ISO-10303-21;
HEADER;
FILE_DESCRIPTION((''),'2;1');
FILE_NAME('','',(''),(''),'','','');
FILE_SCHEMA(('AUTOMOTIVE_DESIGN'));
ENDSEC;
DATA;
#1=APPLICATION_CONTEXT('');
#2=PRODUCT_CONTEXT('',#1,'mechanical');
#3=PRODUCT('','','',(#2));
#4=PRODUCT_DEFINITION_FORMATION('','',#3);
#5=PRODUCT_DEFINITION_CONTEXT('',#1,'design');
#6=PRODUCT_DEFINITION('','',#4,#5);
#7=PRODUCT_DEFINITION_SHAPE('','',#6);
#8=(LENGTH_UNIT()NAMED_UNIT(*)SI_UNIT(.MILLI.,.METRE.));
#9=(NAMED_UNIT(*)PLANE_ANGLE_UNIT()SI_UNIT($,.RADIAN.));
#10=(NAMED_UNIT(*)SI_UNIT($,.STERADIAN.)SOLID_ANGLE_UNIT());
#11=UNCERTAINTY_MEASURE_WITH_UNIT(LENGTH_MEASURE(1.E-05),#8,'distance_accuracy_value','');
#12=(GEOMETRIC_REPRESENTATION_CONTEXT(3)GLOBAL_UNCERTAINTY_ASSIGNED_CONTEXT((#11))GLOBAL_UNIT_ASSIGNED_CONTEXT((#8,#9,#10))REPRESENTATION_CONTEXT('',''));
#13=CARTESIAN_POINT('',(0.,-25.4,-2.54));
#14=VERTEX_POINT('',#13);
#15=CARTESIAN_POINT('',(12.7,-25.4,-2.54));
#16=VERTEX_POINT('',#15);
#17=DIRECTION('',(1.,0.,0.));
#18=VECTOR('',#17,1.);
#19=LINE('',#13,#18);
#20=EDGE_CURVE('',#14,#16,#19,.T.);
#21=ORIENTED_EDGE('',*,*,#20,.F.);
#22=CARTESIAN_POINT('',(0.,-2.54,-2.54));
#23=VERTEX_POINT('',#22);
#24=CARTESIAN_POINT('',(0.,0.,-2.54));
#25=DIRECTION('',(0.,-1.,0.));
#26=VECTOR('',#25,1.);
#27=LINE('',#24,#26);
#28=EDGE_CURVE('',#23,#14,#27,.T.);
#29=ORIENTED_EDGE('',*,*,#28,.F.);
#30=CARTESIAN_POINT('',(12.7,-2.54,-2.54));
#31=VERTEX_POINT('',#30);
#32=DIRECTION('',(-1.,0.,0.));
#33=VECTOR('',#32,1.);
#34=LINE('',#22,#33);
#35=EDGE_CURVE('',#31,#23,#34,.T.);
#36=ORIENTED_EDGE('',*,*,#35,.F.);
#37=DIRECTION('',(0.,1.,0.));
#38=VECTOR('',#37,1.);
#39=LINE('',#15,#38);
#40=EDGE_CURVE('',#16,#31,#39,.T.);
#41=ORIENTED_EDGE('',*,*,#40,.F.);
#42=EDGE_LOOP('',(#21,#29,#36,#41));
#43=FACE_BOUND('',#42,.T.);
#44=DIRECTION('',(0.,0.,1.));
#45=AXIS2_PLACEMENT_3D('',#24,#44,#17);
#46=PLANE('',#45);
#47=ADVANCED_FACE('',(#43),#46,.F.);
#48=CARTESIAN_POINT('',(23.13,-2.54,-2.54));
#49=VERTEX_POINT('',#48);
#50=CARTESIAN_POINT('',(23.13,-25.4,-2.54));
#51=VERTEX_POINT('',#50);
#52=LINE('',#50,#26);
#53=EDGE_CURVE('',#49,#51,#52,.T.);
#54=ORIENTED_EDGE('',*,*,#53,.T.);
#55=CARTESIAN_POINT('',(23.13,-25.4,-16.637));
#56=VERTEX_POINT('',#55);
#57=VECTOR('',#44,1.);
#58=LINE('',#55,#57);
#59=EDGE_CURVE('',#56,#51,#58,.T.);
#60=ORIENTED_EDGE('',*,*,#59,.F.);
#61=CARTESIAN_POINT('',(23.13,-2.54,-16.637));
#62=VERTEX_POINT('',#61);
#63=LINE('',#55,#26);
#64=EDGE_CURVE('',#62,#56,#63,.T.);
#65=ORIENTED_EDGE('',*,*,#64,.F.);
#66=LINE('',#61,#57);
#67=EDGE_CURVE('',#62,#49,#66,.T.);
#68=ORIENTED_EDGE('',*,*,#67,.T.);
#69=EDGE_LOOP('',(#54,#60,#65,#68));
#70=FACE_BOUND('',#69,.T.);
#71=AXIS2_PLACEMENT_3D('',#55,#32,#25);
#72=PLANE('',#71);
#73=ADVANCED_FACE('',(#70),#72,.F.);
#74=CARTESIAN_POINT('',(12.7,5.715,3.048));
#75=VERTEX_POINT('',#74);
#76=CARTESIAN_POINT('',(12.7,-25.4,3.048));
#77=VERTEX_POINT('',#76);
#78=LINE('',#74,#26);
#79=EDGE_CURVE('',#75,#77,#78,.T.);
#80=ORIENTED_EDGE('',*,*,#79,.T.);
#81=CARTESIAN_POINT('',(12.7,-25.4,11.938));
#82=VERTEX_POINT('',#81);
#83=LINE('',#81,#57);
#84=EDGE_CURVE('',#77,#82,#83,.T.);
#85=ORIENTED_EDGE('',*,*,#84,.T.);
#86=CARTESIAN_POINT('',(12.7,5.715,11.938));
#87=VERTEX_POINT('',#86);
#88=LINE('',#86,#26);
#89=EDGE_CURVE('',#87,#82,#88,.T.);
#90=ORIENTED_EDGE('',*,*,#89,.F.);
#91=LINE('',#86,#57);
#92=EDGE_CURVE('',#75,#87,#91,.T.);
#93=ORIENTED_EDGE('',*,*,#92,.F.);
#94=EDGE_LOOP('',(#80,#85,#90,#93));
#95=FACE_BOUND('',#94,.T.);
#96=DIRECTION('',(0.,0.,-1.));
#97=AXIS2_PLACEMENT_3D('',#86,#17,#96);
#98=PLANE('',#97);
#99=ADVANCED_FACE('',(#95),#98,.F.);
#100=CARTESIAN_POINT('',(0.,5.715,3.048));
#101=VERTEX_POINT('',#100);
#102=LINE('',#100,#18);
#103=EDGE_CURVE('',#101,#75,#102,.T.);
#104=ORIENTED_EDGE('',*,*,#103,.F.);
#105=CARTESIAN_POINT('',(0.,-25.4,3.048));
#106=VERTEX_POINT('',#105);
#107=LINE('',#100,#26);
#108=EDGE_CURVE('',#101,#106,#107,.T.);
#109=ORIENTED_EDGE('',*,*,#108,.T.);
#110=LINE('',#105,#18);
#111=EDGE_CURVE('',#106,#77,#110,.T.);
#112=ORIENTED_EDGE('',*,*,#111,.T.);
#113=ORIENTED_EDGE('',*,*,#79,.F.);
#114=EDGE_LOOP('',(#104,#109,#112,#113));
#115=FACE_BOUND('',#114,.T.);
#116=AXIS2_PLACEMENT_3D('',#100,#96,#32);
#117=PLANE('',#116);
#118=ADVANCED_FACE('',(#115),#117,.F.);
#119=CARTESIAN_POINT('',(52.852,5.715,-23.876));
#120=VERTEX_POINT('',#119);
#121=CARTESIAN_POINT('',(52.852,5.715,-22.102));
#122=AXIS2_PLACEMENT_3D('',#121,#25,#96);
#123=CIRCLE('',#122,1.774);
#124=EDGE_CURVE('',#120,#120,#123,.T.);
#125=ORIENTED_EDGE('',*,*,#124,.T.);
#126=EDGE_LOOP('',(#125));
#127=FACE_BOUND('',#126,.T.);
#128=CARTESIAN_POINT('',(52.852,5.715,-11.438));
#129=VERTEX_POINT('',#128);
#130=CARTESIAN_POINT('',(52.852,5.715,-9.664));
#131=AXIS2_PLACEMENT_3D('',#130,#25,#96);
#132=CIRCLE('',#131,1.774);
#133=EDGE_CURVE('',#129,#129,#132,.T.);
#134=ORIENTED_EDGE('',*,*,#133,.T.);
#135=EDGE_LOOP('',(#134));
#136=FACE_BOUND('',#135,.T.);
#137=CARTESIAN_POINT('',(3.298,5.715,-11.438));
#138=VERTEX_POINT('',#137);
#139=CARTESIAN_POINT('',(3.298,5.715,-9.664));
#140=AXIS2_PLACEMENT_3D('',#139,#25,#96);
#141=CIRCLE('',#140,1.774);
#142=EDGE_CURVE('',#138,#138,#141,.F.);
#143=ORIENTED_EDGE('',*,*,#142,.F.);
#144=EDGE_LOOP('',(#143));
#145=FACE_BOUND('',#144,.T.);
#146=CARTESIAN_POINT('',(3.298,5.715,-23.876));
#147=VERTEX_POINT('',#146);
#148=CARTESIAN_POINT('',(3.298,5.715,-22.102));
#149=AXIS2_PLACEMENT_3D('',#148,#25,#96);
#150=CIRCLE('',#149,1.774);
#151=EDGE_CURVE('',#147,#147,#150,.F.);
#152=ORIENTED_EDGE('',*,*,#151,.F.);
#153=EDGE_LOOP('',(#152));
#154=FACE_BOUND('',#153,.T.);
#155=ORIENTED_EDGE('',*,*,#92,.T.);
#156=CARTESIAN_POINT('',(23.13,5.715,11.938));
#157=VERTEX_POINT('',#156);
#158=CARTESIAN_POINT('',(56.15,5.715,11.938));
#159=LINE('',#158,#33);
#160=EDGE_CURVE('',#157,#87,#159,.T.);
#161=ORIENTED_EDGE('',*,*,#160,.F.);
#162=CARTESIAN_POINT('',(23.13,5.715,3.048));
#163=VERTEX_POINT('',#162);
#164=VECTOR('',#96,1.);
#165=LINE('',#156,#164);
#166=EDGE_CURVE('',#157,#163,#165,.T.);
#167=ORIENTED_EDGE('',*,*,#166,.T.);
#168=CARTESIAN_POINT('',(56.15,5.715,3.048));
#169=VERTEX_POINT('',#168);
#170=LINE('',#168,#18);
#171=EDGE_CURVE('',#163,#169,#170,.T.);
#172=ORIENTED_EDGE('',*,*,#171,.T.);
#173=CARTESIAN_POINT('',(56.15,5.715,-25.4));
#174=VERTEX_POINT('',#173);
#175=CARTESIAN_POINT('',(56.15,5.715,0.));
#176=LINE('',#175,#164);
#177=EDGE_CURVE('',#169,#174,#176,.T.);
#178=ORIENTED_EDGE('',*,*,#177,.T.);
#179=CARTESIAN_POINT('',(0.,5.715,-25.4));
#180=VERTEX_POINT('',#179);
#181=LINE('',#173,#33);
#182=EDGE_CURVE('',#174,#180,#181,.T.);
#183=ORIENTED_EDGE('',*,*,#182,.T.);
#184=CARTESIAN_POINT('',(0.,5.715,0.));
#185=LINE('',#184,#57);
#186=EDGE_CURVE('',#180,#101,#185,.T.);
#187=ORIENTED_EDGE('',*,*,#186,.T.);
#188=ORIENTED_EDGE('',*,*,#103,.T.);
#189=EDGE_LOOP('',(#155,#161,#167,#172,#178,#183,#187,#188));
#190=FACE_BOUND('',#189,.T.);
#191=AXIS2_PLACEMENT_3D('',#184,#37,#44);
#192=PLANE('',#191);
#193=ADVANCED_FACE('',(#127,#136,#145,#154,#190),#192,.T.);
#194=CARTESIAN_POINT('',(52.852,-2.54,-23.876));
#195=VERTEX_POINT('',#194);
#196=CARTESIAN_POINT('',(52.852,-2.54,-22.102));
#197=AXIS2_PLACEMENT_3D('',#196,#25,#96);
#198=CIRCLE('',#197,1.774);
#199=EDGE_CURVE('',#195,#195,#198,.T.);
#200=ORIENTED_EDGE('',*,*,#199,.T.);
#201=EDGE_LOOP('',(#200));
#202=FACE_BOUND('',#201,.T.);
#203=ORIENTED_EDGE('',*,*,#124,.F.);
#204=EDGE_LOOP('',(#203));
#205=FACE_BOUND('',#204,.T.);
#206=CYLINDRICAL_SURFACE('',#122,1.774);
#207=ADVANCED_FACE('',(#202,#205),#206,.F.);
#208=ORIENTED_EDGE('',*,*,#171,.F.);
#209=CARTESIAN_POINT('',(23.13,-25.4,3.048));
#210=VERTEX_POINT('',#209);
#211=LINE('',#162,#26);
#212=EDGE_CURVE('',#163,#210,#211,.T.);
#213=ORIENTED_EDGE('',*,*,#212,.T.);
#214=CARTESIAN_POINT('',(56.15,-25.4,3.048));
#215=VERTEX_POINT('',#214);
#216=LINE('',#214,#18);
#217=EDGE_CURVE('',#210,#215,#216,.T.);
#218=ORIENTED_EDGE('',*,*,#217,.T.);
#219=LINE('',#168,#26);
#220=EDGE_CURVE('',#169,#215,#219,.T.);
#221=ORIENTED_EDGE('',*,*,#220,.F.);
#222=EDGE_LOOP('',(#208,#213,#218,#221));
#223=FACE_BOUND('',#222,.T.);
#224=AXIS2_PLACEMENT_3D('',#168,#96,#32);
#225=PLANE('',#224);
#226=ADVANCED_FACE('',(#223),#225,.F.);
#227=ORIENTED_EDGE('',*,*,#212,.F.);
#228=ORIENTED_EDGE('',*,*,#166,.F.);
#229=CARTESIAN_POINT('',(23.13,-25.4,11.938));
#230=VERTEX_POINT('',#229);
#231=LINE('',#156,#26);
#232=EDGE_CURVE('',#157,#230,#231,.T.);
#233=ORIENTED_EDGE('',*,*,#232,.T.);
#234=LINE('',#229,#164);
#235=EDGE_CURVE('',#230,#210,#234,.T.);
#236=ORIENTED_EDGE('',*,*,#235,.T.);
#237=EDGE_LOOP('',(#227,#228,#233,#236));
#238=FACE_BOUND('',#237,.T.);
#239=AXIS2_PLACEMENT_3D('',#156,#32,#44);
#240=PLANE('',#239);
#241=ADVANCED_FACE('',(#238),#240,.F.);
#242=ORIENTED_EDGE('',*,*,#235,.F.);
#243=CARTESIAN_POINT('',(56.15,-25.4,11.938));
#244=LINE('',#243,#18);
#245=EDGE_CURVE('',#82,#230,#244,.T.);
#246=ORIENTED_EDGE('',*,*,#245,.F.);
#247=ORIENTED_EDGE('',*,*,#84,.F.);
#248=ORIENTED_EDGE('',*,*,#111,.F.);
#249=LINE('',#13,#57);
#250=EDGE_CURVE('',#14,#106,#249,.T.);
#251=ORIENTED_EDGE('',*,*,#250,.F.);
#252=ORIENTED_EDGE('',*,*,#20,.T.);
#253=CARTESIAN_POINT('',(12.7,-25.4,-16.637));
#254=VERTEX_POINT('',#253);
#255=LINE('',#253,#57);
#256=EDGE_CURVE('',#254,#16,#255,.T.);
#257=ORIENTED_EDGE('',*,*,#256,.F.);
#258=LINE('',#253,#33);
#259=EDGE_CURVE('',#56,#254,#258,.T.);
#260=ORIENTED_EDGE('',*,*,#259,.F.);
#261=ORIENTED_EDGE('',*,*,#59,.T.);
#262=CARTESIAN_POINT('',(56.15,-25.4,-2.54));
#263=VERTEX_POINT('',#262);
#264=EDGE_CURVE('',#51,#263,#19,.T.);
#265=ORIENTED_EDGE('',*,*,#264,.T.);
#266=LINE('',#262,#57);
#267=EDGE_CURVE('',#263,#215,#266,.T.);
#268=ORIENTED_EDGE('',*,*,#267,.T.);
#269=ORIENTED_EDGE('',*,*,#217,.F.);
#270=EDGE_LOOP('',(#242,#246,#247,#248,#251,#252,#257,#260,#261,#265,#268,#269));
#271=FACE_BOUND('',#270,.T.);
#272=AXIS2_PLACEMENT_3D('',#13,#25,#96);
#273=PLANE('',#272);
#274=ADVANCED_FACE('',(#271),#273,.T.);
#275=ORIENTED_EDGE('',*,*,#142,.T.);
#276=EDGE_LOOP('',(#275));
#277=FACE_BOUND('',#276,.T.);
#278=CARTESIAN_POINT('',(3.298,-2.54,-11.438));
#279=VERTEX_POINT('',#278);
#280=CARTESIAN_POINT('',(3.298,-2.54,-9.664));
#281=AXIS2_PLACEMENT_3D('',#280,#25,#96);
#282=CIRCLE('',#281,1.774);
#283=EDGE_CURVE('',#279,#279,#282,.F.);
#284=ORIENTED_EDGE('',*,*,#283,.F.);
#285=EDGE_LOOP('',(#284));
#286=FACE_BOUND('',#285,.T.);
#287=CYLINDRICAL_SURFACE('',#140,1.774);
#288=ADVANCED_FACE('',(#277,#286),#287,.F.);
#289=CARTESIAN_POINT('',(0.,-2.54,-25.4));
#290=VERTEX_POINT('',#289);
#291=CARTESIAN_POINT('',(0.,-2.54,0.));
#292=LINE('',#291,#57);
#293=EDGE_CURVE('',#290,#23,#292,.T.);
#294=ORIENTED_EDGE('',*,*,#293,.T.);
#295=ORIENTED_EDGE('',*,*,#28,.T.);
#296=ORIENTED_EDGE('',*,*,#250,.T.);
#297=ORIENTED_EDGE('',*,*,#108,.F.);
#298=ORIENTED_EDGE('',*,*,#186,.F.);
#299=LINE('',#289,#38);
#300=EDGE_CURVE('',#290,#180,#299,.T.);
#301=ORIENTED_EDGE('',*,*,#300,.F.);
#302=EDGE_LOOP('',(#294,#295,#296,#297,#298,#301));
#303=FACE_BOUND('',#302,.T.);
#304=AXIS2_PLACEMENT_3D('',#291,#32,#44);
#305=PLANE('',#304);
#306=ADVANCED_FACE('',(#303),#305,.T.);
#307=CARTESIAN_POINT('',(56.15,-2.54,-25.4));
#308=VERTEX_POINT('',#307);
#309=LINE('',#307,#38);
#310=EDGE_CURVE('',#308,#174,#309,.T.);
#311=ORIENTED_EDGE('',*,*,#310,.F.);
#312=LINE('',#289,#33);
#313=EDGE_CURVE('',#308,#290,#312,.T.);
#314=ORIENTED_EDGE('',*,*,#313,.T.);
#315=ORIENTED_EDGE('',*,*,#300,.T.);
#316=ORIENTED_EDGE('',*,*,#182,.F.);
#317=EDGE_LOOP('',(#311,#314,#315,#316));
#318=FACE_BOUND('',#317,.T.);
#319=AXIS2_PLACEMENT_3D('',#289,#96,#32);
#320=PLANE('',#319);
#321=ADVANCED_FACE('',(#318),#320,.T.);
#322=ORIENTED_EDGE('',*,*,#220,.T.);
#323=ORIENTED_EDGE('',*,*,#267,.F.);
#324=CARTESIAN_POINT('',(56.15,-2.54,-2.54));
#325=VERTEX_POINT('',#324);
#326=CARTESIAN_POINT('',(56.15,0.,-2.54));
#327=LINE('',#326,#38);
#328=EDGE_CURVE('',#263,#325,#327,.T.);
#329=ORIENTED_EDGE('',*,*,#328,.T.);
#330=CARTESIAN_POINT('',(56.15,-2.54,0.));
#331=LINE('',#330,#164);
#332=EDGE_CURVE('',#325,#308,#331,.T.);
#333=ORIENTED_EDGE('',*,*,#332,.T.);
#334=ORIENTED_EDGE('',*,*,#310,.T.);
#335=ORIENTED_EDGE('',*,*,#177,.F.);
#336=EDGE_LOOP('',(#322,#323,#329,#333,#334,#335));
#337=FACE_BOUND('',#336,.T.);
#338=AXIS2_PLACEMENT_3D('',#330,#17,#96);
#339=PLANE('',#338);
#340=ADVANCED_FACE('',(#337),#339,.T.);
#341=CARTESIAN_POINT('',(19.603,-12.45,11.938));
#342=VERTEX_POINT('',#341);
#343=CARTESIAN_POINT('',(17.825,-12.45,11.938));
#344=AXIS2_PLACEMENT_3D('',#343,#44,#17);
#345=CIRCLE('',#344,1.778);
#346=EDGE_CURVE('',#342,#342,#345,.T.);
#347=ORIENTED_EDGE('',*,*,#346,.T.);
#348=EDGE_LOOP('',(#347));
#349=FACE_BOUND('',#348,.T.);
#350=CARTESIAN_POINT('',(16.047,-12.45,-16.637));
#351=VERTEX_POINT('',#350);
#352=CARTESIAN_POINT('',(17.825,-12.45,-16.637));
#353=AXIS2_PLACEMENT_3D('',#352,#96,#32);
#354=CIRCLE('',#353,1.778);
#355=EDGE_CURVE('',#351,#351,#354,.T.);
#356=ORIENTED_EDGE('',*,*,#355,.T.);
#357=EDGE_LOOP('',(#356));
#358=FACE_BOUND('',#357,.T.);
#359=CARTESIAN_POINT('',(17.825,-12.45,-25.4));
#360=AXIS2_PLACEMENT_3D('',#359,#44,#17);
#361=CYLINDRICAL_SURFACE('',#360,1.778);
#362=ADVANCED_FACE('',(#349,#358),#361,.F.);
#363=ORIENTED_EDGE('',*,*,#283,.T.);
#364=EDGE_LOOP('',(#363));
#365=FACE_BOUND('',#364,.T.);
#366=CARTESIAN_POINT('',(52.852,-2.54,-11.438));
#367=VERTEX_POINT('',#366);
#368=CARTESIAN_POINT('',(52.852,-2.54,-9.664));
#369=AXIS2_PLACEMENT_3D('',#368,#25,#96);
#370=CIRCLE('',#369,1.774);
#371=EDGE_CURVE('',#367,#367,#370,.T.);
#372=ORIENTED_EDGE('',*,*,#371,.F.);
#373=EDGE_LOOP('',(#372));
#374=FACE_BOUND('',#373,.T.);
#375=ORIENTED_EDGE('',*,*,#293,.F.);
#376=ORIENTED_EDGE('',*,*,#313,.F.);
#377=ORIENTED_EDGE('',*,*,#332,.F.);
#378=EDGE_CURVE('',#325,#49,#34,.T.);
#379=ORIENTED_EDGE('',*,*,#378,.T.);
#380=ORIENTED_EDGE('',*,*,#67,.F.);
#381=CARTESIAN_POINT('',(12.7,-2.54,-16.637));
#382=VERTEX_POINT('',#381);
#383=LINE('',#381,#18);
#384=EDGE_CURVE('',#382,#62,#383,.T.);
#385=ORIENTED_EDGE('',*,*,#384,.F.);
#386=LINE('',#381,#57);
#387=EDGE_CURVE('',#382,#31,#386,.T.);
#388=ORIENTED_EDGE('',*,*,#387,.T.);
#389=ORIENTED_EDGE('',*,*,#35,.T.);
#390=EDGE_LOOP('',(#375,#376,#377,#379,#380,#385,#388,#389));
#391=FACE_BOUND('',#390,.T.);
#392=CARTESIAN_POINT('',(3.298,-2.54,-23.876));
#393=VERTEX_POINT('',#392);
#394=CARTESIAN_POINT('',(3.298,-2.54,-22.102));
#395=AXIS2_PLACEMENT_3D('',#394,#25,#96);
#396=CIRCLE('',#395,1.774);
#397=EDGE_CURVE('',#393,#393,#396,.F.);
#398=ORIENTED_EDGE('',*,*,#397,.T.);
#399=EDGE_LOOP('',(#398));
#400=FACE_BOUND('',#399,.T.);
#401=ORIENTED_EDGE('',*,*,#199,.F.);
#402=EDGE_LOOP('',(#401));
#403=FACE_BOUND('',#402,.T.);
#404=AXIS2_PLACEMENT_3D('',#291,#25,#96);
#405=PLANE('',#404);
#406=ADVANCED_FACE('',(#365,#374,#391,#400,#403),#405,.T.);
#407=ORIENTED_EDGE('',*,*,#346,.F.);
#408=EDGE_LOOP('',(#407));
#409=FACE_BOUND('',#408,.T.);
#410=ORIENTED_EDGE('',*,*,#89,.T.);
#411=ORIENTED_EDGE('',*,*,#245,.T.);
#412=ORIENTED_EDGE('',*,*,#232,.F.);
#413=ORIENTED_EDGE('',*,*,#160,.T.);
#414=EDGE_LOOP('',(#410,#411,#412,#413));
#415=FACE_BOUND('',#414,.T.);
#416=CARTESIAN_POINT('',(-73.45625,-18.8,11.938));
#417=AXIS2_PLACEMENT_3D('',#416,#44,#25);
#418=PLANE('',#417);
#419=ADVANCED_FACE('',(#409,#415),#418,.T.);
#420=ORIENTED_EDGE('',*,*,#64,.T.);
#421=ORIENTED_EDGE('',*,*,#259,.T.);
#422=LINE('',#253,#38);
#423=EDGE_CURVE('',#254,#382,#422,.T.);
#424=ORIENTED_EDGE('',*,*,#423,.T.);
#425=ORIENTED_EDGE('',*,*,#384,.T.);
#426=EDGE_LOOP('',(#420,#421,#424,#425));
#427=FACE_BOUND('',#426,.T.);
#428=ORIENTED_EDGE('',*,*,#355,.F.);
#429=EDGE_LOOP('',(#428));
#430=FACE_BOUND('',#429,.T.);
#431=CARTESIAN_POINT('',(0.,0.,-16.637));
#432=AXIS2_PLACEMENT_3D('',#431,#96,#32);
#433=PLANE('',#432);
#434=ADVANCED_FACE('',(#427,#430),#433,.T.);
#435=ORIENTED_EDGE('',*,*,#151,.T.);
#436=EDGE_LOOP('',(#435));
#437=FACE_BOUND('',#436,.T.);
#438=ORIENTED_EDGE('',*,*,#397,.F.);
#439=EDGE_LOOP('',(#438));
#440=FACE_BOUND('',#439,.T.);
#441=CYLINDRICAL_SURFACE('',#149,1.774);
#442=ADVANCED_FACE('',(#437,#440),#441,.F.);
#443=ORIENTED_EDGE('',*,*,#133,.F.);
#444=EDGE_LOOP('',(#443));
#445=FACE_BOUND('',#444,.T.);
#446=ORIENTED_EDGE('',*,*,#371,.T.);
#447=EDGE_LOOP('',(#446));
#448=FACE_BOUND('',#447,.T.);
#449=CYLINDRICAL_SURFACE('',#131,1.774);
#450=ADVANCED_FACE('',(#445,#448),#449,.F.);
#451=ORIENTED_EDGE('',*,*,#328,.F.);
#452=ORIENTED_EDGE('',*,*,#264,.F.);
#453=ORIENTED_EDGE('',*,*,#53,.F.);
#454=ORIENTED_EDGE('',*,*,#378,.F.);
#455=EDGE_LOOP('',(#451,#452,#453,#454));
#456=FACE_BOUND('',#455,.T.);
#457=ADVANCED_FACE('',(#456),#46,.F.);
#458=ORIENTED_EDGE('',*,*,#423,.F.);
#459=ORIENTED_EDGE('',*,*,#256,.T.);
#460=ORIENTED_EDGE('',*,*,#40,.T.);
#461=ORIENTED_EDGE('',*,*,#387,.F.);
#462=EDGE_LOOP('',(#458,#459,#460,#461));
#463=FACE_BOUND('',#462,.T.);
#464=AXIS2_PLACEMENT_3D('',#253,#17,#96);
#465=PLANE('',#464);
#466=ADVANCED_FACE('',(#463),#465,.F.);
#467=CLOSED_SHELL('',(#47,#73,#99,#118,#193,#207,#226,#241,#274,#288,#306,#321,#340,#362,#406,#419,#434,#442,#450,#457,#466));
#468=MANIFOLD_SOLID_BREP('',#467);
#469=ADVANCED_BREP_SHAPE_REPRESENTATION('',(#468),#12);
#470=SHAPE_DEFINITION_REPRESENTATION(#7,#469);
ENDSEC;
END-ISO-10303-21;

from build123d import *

# Parameters (mm, degrees)
SKETCH1_W           = 56.15
SKETCH1_H           = 25.4
BOSS_EXTRUDE1_DEPTH = 2.54
SKETCH2_W           = 56.15
SKETCH2_H           = 25.4
BOSS_EXTRUDE2_DEPTH = 2.54
SKETCH11_W          = 56.15
SKETCH11_H          = 25.4
BOSS_EXTRUDE3_DEPTH = 5.715
SKETCH6_R           = 1.774
CUT_EXTRUDE3_DEPTH  = 9.255
SKETCH13_W          = 56.15
SKETCH13_H          = 31.115
BOSS_EXTRUDE4_DEPTH = 11.938
SKETCH14_W          = 12.7
SKETCH14_H          = 8.89
SKETCH14_W_2        = 33.02
CUT_EXTRUDE4_DEPTH  = 32.115
SKETCH17_W          = 10.43
SKETCH17_H          = 22.86
BOSS_EXTRUDE5_DEPTH = 14.097
SKETCH15_R          = 1.778
CUT_EXTRUDE5_DEPTH  = 38.338


with BuildPart() as part:
    # Sketch1 → Boss-Extrude1 (new body)
    with BuildSketch(Plane(origin=(0, 0, 0), x_dir=(1, 0, 0), z_dir=(0, 1, 0))):
        with Locations((28.075, 12.7)):
            Rectangle(SKETCH1_W, SKETCH1_H)
    extrude(amount=-BOSS_EXTRUDE1_DEPTH)

    # Sketch2 → Boss-Extrude2 (add)
    with BuildSketch(Plane.XY):
        with Locations((28.075, -12.7)):
            Rectangle(SKETCH2_W, SKETCH2_H)
    extrude(amount=-BOSS_EXTRUDE2_DEPTH)

    # Sketch11 → Boss-Extrude3 (add)
    with BuildSketch(Plane(origin=(0, 0, 0), x_dir=(1, 0, 0), z_dir=(0, 1, 0))):
        with Locations((28.075, 12.7)):
            Rectangle(SKETCH11_W, SKETCH11_H)
    extrude(amount=BOSS_EXTRUDE3_DEPTH)

    # Sketch6 → Cut-Extrude3 (cut, through all)
    with BuildSketch(Plane.XZ.offset(2.54)):
        with Locations((52.852, -22.102)):
            Circle(SKETCH6_R)
        with Locations((52.852, -9.664)):
            Circle(SKETCH6_R)
        with Locations((3.298, -9.664)):
            Circle(SKETCH6_R)
        with Locations((3.298, -22.102)):
            Circle(SKETCH6_R)
    extrude(amount=-CUT_EXTRUDE3_DEPTH, mode=Mode.SUBTRACT)

    # Sketch13 → Boss-Extrude4 (add)
    with BuildSketch(Plane.XY):
        with Locations((28.075, -9.8425)):
            Rectangle(SKETCH13_W, SKETCH13_H)
    extrude(amount=BOSS_EXTRUDE4_DEPTH)

    # Sketch14 → Cut-Extrude4 (cut, through all)
    with BuildSketch(Plane.XZ.offset(25.4)):
        with Locations((6.35, 7.493)):
            Rectangle(SKETCH14_W, SKETCH14_H)
        with Locations((39.64, 7.493)):
            Rectangle(SKETCH14_W_2, SKETCH14_H)
    extrude(amount=-CUT_EXTRUDE4_DEPTH, mode=Mode.SUBTRACT)

    # Sketch17 → Boss-Extrude5 (add)
    with BuildSketch(Plane(origin=(0, 0, -2.54), x_dir=(-1, 0, 0), z_dir=(0, 0, -1))):
        with Locations((-17.915, -13.97)):
            Rectangle(SKETCH17_W, SKETCH17_H)
    extrude(amount=BOSS_EXTRUDE5_DEPTH)

    # Sketch15 → Cut-Extrude5 (cut, through all)
    with BuildSketch(Plane.XY.offset(11.938)):
        with Locations((17.825, -12.45)):
            Circle(SKETCH15_R)
    extrude(amount=-CUT_EXTRUDE5_DEPTH, mode=Mode.SUBTRACT)


solid = part.part
